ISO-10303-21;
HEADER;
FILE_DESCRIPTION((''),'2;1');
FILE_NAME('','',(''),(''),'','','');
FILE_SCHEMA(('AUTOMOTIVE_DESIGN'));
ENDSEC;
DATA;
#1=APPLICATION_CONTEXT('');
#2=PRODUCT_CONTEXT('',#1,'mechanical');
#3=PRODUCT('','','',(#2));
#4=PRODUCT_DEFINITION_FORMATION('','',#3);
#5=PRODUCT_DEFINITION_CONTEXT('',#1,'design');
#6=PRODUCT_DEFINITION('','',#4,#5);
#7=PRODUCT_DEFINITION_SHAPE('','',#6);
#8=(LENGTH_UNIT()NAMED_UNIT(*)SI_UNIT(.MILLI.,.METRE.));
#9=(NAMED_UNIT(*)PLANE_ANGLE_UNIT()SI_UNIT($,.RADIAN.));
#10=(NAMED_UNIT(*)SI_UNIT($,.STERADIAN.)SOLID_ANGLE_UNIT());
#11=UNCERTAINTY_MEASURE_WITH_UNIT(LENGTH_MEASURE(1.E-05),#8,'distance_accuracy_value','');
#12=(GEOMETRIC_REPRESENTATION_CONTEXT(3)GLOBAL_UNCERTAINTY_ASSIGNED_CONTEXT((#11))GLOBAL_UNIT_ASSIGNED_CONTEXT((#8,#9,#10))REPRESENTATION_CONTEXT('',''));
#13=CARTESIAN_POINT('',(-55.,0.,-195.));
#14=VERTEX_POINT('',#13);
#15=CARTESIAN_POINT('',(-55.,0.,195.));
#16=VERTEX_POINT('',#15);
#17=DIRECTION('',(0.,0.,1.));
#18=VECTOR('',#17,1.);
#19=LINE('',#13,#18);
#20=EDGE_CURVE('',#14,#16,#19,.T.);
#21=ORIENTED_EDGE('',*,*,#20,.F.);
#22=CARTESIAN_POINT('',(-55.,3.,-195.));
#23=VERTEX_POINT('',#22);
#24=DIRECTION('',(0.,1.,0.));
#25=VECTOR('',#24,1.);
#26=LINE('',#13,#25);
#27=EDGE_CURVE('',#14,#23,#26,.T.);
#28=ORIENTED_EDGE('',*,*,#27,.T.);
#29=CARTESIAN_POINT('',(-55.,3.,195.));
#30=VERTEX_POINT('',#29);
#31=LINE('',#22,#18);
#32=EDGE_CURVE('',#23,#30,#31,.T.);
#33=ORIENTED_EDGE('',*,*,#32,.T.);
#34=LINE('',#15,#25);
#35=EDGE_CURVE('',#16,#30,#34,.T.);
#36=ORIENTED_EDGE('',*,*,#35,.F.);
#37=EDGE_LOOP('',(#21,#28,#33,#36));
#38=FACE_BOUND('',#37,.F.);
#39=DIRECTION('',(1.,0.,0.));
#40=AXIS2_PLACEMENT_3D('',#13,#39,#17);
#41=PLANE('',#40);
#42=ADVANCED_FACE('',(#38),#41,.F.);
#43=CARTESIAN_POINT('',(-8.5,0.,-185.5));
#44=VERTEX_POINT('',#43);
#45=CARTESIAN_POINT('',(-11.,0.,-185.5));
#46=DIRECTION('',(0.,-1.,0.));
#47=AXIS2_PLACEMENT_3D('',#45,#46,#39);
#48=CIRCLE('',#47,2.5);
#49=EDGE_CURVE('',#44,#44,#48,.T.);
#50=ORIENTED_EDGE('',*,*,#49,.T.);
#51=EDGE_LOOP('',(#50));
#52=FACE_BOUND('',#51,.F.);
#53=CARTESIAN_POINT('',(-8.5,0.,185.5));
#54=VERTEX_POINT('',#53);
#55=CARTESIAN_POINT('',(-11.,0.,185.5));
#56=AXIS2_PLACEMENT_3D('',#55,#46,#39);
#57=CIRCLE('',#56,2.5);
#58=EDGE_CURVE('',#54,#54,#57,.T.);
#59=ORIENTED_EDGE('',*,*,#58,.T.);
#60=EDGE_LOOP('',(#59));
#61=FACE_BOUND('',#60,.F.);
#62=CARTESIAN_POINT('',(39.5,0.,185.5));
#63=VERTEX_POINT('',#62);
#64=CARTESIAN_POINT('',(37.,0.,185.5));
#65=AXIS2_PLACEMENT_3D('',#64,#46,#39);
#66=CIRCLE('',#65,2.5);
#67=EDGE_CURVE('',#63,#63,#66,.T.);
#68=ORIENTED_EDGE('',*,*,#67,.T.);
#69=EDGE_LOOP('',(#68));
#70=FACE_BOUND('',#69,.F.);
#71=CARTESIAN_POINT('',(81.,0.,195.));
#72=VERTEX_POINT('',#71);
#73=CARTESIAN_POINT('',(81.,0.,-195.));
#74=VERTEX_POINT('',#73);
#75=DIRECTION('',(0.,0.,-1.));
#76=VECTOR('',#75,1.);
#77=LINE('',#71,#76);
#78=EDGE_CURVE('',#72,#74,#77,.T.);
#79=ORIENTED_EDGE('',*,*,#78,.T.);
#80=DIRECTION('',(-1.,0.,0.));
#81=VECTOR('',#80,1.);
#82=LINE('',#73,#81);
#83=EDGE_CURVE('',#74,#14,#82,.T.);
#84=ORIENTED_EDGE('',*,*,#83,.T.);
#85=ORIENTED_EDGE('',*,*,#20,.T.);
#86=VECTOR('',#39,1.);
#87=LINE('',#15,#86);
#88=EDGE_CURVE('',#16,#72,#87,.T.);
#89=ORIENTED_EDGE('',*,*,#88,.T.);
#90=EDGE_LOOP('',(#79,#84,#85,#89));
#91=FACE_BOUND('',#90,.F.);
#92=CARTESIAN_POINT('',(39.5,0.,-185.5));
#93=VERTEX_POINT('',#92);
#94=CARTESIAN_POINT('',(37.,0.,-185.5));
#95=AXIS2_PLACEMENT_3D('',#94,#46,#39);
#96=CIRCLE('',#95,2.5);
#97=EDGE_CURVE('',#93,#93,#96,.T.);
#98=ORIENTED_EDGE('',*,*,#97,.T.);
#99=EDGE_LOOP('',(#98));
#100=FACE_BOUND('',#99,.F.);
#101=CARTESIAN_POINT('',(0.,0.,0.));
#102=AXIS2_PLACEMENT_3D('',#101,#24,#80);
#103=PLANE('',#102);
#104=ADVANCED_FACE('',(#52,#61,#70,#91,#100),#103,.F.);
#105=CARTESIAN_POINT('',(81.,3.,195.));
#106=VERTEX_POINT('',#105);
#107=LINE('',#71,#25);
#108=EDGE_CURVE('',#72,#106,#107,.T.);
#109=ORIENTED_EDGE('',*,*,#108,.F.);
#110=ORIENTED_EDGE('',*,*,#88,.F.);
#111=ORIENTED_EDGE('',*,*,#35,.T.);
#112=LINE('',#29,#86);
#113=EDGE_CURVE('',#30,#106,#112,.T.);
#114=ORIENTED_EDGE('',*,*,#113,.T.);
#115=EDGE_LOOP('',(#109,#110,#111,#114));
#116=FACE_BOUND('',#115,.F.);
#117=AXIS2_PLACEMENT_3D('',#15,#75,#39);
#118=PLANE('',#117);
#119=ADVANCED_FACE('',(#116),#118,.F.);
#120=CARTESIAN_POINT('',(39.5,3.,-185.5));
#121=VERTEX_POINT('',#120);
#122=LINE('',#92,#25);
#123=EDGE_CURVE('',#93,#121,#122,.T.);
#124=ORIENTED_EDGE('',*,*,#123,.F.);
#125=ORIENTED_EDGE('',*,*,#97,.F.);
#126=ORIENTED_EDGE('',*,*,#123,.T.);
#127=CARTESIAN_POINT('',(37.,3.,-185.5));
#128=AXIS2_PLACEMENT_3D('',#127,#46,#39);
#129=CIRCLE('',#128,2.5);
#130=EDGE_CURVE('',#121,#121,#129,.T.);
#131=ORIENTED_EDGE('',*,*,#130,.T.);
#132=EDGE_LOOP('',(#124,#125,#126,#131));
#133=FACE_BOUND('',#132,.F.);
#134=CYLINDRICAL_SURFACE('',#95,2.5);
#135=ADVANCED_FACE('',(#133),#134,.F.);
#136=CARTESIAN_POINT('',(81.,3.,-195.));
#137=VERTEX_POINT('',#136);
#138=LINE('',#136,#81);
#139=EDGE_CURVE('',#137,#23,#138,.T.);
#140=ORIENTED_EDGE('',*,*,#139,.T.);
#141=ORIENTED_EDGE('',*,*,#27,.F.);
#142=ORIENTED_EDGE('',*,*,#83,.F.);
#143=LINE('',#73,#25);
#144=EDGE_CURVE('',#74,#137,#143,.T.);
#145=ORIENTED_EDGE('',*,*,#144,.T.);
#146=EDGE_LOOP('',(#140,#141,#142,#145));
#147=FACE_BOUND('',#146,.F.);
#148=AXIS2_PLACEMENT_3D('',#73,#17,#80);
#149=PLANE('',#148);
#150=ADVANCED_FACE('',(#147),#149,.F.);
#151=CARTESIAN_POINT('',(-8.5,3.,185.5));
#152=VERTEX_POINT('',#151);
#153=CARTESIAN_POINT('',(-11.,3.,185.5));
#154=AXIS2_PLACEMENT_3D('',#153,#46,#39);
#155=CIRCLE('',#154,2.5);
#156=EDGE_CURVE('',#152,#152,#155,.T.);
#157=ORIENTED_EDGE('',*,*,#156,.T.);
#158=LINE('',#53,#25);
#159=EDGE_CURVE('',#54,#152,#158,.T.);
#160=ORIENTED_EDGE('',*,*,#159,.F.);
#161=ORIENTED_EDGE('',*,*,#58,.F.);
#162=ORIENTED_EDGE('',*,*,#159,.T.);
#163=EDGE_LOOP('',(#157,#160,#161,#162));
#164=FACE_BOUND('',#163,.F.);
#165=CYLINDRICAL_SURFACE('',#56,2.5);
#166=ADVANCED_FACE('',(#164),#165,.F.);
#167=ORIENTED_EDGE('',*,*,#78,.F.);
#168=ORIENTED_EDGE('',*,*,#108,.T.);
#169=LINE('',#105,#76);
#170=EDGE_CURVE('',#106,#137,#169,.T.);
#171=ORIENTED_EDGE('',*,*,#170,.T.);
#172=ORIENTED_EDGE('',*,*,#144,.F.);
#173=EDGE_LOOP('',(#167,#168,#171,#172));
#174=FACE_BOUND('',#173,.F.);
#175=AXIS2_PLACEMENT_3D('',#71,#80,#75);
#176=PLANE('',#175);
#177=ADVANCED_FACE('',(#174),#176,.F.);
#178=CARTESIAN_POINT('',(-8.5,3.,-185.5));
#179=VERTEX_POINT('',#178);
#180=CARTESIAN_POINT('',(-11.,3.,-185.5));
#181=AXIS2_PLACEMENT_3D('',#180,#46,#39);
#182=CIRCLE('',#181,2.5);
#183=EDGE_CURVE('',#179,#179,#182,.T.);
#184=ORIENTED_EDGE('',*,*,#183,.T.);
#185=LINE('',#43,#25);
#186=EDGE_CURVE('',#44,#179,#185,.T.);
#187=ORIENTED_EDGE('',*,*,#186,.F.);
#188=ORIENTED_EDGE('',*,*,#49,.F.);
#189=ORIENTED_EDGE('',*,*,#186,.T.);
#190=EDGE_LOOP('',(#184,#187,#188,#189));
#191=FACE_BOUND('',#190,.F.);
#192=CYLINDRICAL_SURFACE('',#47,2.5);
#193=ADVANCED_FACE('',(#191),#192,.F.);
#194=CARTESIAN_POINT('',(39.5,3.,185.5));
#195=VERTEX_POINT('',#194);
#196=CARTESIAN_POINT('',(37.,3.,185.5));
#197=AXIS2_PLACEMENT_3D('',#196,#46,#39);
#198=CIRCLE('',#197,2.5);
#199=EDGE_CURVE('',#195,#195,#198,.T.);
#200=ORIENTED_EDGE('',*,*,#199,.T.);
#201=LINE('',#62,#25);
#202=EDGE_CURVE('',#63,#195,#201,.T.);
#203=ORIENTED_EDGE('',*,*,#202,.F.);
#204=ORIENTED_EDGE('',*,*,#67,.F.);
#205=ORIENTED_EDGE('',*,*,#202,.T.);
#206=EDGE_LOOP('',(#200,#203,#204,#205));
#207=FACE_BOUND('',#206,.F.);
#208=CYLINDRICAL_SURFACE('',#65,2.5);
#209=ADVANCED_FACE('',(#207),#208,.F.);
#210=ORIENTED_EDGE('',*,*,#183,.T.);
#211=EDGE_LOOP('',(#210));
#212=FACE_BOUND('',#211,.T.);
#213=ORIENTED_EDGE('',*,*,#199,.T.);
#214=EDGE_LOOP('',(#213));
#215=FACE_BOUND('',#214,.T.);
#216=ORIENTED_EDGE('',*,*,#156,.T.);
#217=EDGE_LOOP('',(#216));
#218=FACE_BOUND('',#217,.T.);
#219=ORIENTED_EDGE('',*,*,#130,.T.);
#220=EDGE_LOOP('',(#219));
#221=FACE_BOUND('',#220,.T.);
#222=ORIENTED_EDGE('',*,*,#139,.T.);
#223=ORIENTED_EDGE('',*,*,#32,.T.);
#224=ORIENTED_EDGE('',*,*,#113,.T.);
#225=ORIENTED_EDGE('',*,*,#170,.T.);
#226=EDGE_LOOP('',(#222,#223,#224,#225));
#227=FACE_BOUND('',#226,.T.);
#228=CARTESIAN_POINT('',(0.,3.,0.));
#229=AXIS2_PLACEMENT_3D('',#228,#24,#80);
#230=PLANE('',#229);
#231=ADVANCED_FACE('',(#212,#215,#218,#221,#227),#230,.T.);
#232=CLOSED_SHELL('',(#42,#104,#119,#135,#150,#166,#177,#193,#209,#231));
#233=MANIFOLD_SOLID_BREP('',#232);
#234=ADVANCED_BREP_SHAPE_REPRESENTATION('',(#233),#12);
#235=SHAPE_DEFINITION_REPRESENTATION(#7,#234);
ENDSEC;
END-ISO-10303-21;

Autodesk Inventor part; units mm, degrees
ref_plane "YZ Plane" through (0, 0, 0) normal (1, 0, 0) x (0, 1, 0)
ref_plane "XZ Plane" through (0, 0, 0) normal (0, 1, 0) x (-1, 0, 0)
ref_plane "XY Plane" through (0, 0, 0) normal (0, 0, 1) x (1, 0, 0)
sketch "스케치1" plane through (0, 0, 0) normal (0, 1, 0) x (-1, 0, 0)
  line L0 (55, 195) -> (-81, 195)
  line L1 (-81, 195) -> (-81, -195)
  line L2 (-81, -195) -> (55, -195)
  line L3 (55, -195) -> (55, 195)
  point P0 (0, 0)
  dimension "d0" = 136
  dimension "d1" = 390
  dimension "d2" = 195
  dimension "d3" = 55
extrude "돌출1" add sketch "스케치1" along normal blind 3
sketch "스케치2" plane through (0, 0, 0) normal (0, -1, 0) x (1, 0, 0)
  line L0 (81, -195) -> (-55, -195) projected
  circle A0 centre (37, -185.5) radius 2.5
  circle A1 centre (-11, -185.5) radius 2.5
  line L1 (81, 195) -> (81, -195) projected
  line L2 (46.4853, 0) -> (-31.2164, 0)
  circle A2 centre (37, 185.5) radius 2.5
  circle A3 centre (-11, 185.5) radius 2.5
  point P0 (0, 0)
  point P1 (13, -195)
  point P2 (13, -195)
  point P3 (13, 195)
  point P4 (13, 195)
  dimension "d18" = 5
  dimension "d19" = 5
  dimension "d20" = 9.5
  dimension "d21" = 0
  dimension "d22" = 48
  dimension "d23" = 44
extrude "돌출2" cut sketch "스케치2" against normal blind 10
equation "\"d2\" = 0.5 * d1"
properties part number "라즈베리파이보관_윗판" material "PMMA 플라스틱"
